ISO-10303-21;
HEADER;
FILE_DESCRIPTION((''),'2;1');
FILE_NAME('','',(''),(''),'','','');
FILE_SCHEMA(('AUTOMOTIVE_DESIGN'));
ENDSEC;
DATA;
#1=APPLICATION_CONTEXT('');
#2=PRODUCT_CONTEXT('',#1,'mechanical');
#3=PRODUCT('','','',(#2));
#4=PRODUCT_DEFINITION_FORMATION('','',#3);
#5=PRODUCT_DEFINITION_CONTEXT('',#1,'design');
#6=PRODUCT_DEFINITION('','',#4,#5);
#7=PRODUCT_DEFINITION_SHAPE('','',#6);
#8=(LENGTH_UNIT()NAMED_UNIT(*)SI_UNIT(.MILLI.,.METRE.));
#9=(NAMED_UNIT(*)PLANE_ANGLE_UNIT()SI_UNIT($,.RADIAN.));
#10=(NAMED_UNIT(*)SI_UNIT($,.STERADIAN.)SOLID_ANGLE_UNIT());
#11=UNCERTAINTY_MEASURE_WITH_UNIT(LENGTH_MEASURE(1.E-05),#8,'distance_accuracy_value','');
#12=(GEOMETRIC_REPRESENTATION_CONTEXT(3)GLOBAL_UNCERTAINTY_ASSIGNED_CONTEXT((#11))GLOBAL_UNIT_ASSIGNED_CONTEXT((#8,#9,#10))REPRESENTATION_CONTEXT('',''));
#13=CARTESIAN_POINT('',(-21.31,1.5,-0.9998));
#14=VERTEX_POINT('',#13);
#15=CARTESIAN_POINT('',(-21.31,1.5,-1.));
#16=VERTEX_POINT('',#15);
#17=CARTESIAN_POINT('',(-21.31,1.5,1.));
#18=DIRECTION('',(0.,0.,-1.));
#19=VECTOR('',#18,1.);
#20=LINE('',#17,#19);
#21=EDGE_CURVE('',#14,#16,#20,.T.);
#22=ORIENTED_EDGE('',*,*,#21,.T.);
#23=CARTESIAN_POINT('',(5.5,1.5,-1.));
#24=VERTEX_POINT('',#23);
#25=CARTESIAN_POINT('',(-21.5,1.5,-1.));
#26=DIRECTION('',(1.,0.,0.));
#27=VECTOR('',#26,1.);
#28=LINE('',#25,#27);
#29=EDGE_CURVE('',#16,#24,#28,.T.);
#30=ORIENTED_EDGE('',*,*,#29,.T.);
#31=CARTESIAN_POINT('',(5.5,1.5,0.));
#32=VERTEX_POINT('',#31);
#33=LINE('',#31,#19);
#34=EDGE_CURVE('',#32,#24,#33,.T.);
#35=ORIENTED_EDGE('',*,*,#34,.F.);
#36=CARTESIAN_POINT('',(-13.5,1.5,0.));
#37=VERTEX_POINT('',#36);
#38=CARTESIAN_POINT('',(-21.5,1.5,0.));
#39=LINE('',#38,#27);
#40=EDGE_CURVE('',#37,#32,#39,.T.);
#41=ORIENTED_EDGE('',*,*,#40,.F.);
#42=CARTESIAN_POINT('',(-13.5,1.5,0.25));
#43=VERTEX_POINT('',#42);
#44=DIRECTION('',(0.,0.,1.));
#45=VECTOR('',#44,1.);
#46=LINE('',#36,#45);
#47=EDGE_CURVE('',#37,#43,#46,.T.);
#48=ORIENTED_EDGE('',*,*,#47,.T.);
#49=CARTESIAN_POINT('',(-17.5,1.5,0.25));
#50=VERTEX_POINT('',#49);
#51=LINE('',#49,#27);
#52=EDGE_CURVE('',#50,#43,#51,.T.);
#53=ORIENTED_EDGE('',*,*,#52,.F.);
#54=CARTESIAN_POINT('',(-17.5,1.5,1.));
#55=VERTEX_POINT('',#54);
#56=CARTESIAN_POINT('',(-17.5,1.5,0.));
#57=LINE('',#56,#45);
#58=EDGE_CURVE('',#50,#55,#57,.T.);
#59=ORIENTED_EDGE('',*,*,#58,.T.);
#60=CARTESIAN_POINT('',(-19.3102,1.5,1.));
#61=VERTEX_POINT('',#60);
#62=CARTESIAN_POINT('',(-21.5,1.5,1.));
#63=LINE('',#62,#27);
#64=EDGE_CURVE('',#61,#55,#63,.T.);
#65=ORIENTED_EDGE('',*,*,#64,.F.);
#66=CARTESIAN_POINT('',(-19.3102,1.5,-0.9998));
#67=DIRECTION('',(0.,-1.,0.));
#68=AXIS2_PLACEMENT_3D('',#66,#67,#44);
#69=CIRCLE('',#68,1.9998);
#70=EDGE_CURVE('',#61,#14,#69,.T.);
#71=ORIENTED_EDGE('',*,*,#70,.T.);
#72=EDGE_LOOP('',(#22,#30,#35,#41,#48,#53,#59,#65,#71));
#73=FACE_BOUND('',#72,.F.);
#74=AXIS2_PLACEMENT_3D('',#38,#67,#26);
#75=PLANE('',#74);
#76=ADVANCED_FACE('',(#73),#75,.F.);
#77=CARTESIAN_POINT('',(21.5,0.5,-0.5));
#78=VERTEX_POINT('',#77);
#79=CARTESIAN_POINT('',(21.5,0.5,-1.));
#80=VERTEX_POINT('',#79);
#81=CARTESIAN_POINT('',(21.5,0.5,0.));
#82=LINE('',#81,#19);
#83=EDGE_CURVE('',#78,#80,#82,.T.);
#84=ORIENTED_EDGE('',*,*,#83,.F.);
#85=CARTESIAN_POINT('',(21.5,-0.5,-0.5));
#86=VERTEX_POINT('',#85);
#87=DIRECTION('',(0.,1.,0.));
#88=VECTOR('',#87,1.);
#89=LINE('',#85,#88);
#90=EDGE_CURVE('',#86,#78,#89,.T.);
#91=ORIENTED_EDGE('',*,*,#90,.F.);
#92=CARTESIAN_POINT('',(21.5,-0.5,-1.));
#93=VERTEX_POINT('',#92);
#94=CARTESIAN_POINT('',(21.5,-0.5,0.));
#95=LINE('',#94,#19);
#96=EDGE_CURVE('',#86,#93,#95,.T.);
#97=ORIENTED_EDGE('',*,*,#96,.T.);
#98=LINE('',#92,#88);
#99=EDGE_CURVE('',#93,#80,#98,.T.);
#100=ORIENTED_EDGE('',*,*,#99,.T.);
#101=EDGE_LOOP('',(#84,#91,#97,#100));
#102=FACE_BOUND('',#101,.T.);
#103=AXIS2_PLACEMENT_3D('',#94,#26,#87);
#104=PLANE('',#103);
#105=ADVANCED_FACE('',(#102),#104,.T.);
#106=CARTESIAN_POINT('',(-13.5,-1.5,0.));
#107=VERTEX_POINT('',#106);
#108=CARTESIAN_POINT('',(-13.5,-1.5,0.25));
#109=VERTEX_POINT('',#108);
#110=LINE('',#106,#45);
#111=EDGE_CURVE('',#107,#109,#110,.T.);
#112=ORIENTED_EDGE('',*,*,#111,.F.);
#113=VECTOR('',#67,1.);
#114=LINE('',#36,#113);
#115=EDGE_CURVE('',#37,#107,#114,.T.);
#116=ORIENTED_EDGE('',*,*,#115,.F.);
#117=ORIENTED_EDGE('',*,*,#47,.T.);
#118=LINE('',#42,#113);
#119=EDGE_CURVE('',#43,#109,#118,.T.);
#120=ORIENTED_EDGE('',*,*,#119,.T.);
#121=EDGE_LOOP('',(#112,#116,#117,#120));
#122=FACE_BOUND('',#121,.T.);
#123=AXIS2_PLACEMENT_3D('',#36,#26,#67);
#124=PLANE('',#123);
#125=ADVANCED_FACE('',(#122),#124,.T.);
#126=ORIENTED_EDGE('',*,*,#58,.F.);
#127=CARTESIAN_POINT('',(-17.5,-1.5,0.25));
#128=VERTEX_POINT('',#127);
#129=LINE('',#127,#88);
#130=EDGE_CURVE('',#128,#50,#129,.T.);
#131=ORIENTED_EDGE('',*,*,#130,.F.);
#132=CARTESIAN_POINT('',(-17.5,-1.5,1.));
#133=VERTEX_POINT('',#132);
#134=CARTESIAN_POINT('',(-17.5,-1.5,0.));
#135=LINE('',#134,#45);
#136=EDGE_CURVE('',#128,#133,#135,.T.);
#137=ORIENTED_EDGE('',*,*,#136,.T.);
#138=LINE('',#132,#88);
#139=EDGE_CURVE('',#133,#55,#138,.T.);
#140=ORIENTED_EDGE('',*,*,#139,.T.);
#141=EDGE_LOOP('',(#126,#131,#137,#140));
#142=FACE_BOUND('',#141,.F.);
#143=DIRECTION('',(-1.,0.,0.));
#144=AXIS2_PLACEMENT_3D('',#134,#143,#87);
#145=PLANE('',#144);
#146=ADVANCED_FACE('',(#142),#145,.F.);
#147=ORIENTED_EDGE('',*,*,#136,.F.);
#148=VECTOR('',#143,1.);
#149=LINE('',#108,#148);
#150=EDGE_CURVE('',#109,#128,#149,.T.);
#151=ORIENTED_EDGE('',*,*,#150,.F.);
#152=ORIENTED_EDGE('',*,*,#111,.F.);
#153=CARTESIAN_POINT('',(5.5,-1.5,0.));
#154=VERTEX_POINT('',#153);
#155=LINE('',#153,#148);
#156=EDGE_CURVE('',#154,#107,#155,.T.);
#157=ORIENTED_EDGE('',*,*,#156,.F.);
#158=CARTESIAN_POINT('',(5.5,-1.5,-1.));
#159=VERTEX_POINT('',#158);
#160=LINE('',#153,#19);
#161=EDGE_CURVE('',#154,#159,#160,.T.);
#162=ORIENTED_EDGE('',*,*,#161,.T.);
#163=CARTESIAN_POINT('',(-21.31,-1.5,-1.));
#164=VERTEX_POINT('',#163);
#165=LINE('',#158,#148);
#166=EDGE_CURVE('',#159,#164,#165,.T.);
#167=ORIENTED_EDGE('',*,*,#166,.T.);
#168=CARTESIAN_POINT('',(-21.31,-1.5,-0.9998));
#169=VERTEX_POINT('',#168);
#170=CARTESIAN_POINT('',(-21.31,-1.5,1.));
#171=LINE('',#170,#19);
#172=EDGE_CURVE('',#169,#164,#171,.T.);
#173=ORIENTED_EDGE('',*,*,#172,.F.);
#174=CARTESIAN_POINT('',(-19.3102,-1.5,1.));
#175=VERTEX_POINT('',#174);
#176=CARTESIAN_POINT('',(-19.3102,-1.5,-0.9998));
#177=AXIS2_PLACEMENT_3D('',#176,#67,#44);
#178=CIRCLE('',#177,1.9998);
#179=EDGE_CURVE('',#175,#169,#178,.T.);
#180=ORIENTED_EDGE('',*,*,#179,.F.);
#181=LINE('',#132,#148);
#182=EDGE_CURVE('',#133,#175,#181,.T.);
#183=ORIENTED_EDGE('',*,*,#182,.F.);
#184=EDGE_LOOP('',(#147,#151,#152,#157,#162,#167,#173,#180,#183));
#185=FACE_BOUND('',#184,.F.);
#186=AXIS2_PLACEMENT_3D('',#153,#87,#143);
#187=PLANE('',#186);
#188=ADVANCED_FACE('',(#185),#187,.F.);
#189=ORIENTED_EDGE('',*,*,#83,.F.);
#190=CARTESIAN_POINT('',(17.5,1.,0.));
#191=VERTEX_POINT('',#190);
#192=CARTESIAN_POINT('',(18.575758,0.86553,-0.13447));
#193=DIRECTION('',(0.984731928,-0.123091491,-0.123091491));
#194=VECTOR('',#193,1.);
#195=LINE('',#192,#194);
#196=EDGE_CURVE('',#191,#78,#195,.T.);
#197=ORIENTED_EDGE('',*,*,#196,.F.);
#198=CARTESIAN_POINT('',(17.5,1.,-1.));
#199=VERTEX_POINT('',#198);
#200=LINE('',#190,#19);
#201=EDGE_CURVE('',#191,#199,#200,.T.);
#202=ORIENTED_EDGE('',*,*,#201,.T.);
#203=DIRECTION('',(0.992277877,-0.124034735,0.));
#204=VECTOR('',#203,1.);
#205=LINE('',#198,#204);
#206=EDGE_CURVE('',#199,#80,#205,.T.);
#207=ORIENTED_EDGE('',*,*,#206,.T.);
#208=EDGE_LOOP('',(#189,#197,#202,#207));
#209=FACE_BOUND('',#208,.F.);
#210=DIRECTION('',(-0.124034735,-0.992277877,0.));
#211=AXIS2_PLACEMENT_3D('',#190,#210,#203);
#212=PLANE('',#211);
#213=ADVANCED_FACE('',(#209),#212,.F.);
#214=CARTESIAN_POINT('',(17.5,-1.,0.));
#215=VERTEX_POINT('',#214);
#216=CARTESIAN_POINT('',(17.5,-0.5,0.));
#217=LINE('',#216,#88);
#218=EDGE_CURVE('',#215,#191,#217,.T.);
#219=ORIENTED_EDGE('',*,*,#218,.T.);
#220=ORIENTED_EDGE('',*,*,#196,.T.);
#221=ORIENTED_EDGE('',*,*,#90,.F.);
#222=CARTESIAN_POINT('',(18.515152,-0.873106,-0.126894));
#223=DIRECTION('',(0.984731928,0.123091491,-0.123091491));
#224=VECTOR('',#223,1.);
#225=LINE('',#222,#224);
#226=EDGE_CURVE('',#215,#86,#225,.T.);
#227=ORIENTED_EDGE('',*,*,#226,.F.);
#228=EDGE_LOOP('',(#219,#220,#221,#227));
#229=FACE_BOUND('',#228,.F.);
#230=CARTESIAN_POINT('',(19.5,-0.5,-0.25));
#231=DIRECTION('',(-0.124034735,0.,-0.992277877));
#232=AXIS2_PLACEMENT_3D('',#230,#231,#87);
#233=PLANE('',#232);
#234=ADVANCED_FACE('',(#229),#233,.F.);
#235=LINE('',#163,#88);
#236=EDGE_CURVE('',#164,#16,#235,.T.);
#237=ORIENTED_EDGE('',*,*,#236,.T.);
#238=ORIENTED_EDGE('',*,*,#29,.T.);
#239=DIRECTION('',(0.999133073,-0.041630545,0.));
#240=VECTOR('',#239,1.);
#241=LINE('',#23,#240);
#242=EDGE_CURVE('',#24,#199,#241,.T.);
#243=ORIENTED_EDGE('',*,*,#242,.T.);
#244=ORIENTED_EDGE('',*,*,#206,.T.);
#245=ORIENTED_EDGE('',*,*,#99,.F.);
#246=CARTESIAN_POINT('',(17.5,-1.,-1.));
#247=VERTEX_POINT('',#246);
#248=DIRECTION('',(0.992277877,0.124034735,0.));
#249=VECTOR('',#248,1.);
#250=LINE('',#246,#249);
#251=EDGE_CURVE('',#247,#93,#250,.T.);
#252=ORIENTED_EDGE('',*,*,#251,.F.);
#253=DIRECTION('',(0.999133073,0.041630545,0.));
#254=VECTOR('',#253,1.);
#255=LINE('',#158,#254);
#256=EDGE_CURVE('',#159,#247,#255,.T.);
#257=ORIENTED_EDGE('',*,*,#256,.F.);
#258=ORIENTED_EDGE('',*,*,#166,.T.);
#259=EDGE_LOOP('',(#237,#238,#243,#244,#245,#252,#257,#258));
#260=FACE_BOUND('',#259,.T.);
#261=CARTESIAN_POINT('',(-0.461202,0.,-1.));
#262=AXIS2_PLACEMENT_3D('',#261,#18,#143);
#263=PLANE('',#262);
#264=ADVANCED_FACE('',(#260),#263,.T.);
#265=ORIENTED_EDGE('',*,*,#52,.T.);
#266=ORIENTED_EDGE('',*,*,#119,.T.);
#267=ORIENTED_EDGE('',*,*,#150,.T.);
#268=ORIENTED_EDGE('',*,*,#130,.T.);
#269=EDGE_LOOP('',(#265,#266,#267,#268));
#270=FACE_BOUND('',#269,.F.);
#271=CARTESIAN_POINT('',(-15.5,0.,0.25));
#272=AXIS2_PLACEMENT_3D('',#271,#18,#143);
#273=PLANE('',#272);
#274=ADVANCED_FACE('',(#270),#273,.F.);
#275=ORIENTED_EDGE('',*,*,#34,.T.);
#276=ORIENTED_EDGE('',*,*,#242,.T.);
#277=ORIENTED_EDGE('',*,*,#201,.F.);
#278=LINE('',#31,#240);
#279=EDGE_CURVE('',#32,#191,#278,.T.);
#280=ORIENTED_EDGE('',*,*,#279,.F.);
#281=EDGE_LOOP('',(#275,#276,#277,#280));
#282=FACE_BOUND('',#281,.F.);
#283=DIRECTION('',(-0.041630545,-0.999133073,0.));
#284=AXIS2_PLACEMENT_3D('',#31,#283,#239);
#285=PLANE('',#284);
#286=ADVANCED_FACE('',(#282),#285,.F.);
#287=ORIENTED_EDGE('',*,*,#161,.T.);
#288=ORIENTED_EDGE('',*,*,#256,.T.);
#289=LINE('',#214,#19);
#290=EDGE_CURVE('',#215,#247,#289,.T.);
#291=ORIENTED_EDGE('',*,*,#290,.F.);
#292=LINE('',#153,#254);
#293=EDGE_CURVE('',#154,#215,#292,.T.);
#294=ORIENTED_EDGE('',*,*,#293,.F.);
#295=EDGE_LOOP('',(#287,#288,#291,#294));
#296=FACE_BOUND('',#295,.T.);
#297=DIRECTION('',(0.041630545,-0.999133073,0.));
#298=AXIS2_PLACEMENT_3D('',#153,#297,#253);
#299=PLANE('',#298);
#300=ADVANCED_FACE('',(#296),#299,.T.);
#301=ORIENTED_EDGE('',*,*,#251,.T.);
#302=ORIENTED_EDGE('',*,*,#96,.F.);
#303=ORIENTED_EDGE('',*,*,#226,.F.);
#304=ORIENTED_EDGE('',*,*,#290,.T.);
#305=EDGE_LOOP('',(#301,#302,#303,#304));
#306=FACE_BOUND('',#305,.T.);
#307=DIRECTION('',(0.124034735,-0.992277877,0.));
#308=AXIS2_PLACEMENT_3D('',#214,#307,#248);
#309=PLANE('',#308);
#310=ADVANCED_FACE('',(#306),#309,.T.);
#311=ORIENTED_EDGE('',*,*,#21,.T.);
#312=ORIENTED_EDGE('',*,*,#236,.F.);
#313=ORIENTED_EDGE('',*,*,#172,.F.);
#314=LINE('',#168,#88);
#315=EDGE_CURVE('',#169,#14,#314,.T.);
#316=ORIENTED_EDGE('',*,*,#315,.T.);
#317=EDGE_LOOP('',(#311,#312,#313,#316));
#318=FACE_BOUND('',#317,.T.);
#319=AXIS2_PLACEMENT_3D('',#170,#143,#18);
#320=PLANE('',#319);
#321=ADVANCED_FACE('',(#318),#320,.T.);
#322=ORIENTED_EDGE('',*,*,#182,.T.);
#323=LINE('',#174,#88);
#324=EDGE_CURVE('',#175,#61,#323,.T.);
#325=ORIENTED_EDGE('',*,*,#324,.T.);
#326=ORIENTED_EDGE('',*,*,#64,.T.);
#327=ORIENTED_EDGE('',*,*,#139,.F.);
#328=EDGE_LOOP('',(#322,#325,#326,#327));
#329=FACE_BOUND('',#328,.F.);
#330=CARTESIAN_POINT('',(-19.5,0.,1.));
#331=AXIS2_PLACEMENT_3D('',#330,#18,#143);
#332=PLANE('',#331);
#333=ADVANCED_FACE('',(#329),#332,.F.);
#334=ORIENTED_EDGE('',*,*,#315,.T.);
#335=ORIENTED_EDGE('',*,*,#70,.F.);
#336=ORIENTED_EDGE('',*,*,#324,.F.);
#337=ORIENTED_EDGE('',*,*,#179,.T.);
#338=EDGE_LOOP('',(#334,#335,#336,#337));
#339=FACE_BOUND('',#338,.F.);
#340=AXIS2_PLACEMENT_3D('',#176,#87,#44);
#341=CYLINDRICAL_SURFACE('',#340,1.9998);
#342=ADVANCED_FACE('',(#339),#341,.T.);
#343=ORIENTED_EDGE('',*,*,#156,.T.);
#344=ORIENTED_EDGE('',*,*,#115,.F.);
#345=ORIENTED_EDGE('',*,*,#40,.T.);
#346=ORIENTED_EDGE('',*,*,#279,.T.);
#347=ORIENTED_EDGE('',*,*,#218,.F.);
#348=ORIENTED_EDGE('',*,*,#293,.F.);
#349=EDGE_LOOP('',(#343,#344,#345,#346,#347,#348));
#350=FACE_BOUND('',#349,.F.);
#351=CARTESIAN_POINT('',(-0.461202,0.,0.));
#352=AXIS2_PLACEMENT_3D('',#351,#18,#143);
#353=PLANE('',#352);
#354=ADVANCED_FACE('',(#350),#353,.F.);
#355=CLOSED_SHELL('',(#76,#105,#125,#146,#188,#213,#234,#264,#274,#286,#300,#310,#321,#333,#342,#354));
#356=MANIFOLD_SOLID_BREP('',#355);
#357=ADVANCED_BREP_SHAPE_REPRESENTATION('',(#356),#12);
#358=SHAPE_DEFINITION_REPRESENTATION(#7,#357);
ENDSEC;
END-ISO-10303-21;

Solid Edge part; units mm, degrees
sketch "Sketch1" plane through (0, 0, 0) normal (0, 0, 1) x (1, 0, 0)
  line L0 (-21.5, -1.5) -> (-21.5, 1.5)
  line L1 (-21.5, 1.5) -> (5.5, 1.5)
  line L2 (5.5, 1.5) -> (17.5, 1)
  line L3 (17.5, 1) -> (21.5, 0.5)
  line L4 (21.5, -0.5) -> (21.5, 0.5)
  line L5 (17.5, -1) -> (21.5, -0.5)
  line L6 (5.5, -1.5) -> (17.5, -1)
  line L7 (5.5, -1.5) -> (-21.5, -1.5)
extrude "Protrusion1" add sketch "Sketch1" against normal blind 1
sketch "Sketch2" plane through (0, 0, 0) normal (0, 0, 1) x (1, 0, 0)
  line L0 (-21.5, 1.5) -> (-17.5, 1.5)
  line L1 (-17.5, -1.5) -> (-17.5, 1.5)
  line L2 (-17.5, -1.5) -> (-21.5, -1.5)
  line L3 (-21.5, -1.5) -> (-21.5, 1.5)
extrude "ExtrudedProtrusion_2" add sketch "Sketch2" along normal blind 1
sketch "Sketch3" plane through (0, 0, 0) normal (0, 0, 1) x (1, 0, 0)
  line L0 (-17.5, -1.5) -> (-17.5, 1.5)
  line L1 (-17.5, 1.5) -> (-13.5, 1.5)
  line L2 (-13.5, 1.5) -> (-13.5, -1.5)
  line L3 (-13.5, -1.5) -> (-17.5, -1.5)
extrude "ExtrudedProtrusion_3" add sketch "Sketch3" along normal blind 0.25
chamfer "Chamfer_1" distance 4 distance2 0.5 1 edges at (21.5, 0, 0) measured on face at (16.0167, -0.97, 0)
sketch "Sketch4" plane through (-8, -1.5, 0) normal (0, -1, 0) x (1, 0, 0)
  line L0 (-13.31, 1) -> (-13.31, -1)
  line L1 (-13.31, -1) -> (-13.5, -1)
  line L2 (-13.5, -1) -> (-13.5, 1)
  line L3 (-13.5, 1) -> (-13.31, 1)
extrude "ExtrudedCutout_1" cut sketch "Sketch4" against normal blind 3
fillet "Round_5" radius 2 1 edges at (-21.31, 0, 1)
